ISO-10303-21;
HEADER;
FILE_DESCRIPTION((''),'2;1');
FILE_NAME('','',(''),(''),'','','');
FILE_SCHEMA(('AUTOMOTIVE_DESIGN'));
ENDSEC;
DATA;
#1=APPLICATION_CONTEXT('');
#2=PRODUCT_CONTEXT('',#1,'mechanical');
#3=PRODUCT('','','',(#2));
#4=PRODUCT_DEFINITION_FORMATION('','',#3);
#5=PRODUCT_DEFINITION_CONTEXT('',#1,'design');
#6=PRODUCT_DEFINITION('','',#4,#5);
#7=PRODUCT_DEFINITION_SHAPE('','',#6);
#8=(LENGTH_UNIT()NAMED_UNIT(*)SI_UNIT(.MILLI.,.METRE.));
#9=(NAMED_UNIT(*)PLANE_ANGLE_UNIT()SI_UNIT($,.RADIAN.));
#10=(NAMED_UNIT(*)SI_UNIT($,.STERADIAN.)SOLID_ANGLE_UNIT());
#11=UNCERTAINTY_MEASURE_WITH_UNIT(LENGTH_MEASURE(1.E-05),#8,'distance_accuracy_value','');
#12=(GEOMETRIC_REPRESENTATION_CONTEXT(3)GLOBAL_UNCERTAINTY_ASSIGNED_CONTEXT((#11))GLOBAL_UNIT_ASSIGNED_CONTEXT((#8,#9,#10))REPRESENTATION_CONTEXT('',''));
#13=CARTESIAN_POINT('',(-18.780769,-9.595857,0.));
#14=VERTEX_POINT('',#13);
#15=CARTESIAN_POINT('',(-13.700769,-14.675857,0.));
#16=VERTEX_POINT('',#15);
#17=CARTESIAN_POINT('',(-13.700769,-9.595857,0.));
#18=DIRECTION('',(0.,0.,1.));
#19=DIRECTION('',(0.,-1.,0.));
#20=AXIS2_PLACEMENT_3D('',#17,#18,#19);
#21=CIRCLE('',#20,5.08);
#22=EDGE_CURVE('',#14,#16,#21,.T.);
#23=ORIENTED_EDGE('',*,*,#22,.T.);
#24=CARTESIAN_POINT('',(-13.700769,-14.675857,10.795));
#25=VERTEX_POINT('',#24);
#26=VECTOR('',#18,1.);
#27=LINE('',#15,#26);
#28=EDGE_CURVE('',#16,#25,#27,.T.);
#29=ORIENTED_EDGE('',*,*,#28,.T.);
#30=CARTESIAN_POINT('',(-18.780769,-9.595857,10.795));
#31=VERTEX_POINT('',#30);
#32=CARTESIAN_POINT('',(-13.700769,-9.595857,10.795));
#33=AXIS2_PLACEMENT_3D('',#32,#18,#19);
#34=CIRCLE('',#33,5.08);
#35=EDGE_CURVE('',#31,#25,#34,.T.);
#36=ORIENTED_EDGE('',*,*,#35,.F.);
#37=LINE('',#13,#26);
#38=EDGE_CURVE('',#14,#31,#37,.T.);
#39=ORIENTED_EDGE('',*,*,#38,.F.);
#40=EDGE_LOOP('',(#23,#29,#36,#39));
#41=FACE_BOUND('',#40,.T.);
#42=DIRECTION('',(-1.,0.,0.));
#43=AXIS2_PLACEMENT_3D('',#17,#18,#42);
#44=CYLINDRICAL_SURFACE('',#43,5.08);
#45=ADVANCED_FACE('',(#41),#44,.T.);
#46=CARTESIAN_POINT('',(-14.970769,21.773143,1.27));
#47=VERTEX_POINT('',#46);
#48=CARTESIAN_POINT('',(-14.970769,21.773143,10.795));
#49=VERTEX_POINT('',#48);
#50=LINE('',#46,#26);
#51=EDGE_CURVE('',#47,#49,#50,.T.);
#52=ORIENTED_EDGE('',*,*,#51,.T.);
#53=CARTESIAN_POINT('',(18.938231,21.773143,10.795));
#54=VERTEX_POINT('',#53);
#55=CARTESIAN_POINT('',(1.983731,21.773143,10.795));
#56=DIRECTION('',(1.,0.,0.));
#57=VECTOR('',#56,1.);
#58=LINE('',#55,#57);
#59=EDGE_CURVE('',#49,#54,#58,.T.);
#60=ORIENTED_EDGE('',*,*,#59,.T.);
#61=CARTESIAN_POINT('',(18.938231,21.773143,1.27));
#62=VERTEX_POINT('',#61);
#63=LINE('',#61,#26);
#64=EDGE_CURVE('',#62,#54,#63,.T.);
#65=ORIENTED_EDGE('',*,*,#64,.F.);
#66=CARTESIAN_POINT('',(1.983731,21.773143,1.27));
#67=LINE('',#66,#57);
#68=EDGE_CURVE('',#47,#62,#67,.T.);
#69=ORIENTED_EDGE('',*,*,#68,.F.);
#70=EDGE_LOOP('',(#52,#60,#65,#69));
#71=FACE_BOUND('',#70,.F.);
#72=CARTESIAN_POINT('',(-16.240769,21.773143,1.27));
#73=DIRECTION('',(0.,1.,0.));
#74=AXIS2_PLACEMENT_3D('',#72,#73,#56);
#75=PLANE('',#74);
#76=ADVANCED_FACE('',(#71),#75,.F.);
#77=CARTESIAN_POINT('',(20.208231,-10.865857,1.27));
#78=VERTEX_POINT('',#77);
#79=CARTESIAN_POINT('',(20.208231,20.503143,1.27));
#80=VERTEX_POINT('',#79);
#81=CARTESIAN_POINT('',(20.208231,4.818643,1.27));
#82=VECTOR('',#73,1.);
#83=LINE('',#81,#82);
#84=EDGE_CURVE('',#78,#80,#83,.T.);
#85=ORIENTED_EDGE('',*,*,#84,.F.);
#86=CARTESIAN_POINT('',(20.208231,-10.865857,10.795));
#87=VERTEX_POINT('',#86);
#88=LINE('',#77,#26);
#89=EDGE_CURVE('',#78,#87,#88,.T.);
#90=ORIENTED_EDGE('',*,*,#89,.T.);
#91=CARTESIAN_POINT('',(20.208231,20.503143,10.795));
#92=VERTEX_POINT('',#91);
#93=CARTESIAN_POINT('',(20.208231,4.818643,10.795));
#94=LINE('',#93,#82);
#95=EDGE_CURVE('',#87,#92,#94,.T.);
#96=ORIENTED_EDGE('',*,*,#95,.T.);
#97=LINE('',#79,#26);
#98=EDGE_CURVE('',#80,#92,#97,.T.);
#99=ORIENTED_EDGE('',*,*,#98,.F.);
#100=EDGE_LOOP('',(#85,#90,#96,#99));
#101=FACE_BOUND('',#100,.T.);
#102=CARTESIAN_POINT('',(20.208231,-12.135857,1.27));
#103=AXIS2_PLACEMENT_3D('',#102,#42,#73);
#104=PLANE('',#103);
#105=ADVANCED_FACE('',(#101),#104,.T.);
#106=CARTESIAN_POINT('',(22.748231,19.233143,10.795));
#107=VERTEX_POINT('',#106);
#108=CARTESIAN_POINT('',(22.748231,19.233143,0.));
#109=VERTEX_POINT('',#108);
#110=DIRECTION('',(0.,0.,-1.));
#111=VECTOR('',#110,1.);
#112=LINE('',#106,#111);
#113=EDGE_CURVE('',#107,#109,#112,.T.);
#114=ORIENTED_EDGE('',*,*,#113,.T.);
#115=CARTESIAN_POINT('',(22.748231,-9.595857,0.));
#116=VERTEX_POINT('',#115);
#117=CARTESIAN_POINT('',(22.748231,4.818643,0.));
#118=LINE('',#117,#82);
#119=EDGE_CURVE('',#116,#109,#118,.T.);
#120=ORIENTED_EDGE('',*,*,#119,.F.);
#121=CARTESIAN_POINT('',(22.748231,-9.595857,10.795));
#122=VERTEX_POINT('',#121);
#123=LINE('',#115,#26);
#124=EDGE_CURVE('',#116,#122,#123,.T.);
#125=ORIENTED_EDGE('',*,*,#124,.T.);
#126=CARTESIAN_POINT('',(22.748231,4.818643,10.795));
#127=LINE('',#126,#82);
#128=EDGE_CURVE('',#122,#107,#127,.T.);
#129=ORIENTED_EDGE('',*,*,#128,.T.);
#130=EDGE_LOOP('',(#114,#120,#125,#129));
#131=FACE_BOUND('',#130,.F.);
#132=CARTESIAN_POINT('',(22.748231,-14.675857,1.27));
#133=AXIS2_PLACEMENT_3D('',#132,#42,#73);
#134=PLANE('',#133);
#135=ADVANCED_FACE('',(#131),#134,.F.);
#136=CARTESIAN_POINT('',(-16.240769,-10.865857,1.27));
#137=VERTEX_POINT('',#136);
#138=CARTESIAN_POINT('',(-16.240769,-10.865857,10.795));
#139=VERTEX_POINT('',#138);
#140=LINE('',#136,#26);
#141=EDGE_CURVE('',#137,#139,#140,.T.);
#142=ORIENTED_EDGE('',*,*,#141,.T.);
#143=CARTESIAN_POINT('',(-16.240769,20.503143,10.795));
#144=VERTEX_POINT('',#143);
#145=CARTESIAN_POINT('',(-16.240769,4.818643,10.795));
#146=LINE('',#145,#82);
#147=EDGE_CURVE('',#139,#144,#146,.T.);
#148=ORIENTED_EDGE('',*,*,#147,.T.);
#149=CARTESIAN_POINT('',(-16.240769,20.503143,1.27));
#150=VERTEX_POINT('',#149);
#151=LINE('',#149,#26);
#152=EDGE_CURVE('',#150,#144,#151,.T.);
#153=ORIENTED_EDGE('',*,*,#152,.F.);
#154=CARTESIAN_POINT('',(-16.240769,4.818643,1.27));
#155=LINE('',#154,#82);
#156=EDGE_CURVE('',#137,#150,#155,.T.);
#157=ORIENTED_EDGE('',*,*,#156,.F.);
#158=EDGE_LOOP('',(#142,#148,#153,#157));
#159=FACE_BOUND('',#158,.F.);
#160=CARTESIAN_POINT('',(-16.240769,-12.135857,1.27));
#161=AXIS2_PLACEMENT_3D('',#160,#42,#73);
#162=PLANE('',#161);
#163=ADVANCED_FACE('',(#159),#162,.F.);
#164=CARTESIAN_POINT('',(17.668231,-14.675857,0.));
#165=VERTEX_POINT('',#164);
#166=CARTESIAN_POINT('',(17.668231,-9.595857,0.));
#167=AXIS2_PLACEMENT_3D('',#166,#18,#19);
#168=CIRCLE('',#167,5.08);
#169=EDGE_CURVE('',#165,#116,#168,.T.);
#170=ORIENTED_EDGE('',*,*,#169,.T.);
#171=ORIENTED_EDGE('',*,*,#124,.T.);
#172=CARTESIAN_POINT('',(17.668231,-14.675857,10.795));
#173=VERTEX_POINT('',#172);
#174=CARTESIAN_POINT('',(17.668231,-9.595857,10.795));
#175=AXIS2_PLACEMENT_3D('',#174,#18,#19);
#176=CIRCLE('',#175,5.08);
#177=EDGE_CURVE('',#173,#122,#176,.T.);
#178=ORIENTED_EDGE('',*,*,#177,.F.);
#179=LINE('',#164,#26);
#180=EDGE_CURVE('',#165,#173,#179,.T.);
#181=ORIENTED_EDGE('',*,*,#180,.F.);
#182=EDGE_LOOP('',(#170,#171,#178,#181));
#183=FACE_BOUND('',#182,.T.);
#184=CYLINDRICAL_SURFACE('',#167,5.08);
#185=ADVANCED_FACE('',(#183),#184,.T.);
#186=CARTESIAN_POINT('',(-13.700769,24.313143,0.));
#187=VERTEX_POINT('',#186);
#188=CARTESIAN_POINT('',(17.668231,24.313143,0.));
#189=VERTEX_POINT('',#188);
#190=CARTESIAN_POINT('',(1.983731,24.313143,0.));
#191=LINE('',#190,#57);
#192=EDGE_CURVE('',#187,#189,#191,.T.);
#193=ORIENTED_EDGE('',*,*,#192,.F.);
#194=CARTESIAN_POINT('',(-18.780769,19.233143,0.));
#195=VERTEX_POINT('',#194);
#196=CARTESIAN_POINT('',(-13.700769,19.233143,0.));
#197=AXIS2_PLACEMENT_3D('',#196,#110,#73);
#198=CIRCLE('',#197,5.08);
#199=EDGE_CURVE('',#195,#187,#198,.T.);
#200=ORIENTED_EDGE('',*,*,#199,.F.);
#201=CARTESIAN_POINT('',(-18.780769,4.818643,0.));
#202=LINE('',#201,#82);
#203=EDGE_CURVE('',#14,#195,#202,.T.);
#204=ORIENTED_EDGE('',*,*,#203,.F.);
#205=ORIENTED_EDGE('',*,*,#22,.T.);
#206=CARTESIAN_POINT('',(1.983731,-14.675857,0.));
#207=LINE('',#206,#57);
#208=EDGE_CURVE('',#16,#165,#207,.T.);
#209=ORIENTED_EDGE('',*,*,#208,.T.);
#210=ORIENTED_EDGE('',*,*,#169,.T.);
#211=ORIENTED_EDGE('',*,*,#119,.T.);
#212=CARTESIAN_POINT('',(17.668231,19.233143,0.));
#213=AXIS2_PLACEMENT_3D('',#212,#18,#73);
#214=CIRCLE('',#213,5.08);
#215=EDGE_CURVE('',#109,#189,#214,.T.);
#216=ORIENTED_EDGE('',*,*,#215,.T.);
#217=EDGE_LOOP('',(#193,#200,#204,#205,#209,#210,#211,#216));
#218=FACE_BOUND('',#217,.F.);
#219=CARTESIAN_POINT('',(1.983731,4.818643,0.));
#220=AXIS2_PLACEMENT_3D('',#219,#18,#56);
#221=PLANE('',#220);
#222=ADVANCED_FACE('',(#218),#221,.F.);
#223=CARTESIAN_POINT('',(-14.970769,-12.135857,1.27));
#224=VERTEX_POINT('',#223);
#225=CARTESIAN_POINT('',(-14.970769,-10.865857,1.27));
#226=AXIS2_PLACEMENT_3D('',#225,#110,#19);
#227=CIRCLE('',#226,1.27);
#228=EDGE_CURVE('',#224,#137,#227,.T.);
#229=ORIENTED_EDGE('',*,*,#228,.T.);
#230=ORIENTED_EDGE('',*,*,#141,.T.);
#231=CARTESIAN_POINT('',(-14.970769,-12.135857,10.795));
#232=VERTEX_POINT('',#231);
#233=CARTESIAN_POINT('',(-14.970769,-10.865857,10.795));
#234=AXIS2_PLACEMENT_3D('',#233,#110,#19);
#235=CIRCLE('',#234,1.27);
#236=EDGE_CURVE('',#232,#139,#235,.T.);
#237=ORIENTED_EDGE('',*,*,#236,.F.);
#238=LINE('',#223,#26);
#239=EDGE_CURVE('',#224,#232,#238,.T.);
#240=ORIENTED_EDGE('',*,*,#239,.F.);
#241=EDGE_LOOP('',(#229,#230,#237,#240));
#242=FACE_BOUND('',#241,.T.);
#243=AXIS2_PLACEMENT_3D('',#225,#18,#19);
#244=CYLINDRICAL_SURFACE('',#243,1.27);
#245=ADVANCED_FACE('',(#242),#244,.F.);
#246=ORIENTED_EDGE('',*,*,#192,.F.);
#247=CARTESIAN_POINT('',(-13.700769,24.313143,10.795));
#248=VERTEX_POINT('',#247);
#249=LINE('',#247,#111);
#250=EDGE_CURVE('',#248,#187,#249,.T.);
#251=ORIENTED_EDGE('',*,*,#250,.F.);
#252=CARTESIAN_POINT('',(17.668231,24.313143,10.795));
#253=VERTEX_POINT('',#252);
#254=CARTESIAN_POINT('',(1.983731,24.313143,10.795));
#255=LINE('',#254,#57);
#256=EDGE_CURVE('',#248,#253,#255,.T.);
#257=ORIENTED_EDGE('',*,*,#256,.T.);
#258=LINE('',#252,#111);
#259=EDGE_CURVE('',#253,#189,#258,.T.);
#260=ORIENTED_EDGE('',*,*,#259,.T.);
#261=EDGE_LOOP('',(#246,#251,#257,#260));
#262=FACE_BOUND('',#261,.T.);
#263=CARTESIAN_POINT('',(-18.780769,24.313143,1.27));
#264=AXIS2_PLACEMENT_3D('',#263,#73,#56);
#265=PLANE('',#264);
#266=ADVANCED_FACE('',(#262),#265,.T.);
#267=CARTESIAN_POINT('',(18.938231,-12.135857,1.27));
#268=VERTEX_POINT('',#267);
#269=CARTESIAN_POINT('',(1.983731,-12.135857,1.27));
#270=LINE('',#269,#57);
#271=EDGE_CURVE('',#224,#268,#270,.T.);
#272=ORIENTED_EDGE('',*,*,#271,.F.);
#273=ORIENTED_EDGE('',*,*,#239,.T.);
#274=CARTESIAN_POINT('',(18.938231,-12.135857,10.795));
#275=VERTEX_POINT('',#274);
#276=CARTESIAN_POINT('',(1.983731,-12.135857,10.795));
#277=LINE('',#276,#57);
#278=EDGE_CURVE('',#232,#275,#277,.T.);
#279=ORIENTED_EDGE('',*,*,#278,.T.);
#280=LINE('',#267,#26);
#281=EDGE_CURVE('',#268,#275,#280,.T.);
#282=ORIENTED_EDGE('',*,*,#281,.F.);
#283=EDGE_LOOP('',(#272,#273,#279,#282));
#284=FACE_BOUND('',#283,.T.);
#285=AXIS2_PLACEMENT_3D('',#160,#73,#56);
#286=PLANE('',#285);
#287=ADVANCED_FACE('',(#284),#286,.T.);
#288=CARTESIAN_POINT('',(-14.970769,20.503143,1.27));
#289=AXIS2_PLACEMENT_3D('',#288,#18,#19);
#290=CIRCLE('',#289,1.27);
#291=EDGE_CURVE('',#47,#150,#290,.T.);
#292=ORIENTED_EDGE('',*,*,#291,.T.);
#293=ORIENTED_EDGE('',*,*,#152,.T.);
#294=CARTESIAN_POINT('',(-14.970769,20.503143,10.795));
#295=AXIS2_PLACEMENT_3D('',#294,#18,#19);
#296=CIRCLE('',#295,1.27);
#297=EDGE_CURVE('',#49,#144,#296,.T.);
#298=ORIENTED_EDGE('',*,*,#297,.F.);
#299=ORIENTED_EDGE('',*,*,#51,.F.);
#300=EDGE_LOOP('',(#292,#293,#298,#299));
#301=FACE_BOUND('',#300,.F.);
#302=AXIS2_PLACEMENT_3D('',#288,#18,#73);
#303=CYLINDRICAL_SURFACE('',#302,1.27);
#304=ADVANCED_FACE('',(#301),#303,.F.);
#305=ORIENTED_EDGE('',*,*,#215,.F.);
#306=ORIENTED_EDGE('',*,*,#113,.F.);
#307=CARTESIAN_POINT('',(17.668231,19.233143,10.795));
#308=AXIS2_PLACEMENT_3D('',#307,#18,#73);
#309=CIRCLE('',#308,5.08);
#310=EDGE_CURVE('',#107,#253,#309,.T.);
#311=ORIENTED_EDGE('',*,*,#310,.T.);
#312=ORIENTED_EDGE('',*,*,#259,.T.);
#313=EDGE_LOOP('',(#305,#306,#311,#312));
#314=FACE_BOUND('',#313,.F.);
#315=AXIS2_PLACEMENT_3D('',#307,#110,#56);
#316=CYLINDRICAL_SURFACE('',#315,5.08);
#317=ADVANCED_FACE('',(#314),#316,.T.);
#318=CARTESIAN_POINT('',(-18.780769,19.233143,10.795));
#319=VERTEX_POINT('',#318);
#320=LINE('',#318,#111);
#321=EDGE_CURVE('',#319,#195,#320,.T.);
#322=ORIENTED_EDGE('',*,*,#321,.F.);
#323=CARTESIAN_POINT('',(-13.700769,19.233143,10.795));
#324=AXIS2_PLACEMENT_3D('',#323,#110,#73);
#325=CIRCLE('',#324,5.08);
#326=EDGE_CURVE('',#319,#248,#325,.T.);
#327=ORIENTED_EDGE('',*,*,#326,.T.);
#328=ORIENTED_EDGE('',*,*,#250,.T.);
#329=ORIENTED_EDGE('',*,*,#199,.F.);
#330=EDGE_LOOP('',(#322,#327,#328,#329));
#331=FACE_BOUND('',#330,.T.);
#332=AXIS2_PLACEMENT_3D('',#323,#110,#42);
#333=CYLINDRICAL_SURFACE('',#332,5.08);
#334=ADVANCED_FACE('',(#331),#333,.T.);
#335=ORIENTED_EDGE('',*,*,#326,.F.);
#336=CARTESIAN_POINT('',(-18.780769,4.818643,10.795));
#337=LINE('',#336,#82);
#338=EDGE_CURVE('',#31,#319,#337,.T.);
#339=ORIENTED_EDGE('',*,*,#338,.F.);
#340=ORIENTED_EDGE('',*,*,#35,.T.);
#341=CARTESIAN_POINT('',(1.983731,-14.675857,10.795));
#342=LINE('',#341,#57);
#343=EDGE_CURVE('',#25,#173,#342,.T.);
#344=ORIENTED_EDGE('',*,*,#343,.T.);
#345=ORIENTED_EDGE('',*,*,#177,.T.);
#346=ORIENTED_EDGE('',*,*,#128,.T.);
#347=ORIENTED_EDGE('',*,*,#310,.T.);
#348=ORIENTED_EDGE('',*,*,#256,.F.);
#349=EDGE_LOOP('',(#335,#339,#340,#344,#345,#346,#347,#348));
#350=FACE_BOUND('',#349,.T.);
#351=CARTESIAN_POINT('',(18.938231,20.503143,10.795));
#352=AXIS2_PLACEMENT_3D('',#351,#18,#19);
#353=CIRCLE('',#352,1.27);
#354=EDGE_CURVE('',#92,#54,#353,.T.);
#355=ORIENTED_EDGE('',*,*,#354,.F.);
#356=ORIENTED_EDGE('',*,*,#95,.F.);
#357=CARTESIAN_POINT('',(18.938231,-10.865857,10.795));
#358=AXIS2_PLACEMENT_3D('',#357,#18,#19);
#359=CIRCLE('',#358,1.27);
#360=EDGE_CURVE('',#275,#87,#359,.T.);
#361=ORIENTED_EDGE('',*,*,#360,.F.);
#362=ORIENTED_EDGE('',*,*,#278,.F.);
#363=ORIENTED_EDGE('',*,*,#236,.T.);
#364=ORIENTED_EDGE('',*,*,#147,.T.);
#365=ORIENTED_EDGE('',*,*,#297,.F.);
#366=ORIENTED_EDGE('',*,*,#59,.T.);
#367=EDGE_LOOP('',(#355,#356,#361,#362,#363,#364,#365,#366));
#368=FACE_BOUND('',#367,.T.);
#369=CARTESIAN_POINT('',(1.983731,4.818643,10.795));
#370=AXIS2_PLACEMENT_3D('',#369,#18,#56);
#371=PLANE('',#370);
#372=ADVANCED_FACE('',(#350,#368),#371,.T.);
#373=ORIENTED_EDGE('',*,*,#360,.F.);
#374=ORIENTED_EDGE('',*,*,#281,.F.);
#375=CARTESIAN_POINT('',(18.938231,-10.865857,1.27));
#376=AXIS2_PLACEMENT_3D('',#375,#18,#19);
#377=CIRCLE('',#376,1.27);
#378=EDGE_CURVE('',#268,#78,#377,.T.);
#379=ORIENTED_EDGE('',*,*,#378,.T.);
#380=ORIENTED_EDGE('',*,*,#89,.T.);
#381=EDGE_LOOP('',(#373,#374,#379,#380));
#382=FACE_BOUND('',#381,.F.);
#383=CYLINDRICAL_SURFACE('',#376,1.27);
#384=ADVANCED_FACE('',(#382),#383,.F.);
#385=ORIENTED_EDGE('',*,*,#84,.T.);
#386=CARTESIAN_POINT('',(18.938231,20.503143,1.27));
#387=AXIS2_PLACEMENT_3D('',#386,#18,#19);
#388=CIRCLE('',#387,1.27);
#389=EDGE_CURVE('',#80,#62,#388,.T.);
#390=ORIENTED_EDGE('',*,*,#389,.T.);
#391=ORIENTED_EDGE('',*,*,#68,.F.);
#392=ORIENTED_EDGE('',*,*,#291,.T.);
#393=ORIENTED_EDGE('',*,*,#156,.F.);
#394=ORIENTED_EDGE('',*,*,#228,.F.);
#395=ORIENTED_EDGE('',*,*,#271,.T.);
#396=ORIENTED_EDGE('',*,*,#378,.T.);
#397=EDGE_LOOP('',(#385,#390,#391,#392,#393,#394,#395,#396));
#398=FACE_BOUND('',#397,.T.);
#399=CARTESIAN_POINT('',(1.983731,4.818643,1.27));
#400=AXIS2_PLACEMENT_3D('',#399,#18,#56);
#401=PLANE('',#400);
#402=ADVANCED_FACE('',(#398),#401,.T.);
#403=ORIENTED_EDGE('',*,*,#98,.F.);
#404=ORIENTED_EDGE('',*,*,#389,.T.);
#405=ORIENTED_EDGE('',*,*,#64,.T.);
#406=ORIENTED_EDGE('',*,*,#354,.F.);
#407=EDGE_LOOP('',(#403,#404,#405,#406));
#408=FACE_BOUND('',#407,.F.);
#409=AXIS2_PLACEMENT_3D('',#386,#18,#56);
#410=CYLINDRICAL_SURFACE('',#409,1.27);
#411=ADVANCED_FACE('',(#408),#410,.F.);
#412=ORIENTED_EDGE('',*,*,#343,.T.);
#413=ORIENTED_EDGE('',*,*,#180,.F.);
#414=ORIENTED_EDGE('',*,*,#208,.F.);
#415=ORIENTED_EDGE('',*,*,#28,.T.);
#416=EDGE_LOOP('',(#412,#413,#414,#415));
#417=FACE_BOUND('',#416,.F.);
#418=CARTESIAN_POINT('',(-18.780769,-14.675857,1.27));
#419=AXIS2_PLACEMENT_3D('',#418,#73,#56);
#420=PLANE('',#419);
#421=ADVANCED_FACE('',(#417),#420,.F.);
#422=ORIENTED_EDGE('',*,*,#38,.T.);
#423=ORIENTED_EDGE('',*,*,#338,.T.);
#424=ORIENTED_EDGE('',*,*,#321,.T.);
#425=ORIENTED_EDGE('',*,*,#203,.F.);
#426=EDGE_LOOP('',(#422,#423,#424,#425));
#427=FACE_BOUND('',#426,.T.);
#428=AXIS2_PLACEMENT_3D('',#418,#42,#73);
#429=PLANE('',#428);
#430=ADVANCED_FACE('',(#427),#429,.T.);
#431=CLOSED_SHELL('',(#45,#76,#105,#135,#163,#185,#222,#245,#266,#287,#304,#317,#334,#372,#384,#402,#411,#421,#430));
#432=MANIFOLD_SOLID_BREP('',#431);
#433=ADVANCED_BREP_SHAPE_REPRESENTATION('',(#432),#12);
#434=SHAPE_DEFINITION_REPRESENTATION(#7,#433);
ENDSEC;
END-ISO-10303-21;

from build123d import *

# Parameters (mm, degrees)
F0_W     = 41.529
F0_H     = 38.989
F1_DEPTH = 1.27
F2_W     = 41.529
F2_H     = 38.989
F2_W_2   = 36.449
F2_H_2   = 33.909
F3_DEPTH = 9.525
F4_R     = 5.08
F5_R     = 1.27


with BuildPart() as f1:
    # F0 (on Top) → F1 (new body)
    with BuildSketch(Plane.XY):
        with Locations((1.983731, 4.818643)):
            Rectangle(F0_W, F0_H)
    extrude(amount=F1_DEPTH)

    # F2 (on face) → F3 (join)
    with BuildSketch(Plane.XY.offset(1.27)):
        with Locations((1.983731, 4.818643)):
            Rectangle(F2_W, F2_H)
        with Locations((1.983731, 4.818643)):
            Rectangle(F2_W_2, F2_H_2, mode=Mode.SUBTRACT)
    extrude(amount=F3_DEPTH)

    # F4
    f4_edges = [f1.edges().sort_by_distance(p)[0] for p in [
        (-18.780769, 24.313143, 5.3975),
        (22.748231, 24.313143, 5.3975),
        (22.748231, -14.675857, 5.3975),
        (-18.780769, -14.675857, 5.3975),
    ]]
    fillet(f4_edges, radius=F4_R)

    # F5
    f5_edges = [f1.edges().sort_by_distance(p)[0] for p in [
        (-16.240769, 21.773143, 6.0325),
        (20.208231, 21.773143, 6.0325),
        (20.208231, -12.135857, 6.0325),
        (-16.240769, -12.135857, 6.0325),
    ]]
    fillet(f5_edges, radius=F5_R)


solid = f1.part
